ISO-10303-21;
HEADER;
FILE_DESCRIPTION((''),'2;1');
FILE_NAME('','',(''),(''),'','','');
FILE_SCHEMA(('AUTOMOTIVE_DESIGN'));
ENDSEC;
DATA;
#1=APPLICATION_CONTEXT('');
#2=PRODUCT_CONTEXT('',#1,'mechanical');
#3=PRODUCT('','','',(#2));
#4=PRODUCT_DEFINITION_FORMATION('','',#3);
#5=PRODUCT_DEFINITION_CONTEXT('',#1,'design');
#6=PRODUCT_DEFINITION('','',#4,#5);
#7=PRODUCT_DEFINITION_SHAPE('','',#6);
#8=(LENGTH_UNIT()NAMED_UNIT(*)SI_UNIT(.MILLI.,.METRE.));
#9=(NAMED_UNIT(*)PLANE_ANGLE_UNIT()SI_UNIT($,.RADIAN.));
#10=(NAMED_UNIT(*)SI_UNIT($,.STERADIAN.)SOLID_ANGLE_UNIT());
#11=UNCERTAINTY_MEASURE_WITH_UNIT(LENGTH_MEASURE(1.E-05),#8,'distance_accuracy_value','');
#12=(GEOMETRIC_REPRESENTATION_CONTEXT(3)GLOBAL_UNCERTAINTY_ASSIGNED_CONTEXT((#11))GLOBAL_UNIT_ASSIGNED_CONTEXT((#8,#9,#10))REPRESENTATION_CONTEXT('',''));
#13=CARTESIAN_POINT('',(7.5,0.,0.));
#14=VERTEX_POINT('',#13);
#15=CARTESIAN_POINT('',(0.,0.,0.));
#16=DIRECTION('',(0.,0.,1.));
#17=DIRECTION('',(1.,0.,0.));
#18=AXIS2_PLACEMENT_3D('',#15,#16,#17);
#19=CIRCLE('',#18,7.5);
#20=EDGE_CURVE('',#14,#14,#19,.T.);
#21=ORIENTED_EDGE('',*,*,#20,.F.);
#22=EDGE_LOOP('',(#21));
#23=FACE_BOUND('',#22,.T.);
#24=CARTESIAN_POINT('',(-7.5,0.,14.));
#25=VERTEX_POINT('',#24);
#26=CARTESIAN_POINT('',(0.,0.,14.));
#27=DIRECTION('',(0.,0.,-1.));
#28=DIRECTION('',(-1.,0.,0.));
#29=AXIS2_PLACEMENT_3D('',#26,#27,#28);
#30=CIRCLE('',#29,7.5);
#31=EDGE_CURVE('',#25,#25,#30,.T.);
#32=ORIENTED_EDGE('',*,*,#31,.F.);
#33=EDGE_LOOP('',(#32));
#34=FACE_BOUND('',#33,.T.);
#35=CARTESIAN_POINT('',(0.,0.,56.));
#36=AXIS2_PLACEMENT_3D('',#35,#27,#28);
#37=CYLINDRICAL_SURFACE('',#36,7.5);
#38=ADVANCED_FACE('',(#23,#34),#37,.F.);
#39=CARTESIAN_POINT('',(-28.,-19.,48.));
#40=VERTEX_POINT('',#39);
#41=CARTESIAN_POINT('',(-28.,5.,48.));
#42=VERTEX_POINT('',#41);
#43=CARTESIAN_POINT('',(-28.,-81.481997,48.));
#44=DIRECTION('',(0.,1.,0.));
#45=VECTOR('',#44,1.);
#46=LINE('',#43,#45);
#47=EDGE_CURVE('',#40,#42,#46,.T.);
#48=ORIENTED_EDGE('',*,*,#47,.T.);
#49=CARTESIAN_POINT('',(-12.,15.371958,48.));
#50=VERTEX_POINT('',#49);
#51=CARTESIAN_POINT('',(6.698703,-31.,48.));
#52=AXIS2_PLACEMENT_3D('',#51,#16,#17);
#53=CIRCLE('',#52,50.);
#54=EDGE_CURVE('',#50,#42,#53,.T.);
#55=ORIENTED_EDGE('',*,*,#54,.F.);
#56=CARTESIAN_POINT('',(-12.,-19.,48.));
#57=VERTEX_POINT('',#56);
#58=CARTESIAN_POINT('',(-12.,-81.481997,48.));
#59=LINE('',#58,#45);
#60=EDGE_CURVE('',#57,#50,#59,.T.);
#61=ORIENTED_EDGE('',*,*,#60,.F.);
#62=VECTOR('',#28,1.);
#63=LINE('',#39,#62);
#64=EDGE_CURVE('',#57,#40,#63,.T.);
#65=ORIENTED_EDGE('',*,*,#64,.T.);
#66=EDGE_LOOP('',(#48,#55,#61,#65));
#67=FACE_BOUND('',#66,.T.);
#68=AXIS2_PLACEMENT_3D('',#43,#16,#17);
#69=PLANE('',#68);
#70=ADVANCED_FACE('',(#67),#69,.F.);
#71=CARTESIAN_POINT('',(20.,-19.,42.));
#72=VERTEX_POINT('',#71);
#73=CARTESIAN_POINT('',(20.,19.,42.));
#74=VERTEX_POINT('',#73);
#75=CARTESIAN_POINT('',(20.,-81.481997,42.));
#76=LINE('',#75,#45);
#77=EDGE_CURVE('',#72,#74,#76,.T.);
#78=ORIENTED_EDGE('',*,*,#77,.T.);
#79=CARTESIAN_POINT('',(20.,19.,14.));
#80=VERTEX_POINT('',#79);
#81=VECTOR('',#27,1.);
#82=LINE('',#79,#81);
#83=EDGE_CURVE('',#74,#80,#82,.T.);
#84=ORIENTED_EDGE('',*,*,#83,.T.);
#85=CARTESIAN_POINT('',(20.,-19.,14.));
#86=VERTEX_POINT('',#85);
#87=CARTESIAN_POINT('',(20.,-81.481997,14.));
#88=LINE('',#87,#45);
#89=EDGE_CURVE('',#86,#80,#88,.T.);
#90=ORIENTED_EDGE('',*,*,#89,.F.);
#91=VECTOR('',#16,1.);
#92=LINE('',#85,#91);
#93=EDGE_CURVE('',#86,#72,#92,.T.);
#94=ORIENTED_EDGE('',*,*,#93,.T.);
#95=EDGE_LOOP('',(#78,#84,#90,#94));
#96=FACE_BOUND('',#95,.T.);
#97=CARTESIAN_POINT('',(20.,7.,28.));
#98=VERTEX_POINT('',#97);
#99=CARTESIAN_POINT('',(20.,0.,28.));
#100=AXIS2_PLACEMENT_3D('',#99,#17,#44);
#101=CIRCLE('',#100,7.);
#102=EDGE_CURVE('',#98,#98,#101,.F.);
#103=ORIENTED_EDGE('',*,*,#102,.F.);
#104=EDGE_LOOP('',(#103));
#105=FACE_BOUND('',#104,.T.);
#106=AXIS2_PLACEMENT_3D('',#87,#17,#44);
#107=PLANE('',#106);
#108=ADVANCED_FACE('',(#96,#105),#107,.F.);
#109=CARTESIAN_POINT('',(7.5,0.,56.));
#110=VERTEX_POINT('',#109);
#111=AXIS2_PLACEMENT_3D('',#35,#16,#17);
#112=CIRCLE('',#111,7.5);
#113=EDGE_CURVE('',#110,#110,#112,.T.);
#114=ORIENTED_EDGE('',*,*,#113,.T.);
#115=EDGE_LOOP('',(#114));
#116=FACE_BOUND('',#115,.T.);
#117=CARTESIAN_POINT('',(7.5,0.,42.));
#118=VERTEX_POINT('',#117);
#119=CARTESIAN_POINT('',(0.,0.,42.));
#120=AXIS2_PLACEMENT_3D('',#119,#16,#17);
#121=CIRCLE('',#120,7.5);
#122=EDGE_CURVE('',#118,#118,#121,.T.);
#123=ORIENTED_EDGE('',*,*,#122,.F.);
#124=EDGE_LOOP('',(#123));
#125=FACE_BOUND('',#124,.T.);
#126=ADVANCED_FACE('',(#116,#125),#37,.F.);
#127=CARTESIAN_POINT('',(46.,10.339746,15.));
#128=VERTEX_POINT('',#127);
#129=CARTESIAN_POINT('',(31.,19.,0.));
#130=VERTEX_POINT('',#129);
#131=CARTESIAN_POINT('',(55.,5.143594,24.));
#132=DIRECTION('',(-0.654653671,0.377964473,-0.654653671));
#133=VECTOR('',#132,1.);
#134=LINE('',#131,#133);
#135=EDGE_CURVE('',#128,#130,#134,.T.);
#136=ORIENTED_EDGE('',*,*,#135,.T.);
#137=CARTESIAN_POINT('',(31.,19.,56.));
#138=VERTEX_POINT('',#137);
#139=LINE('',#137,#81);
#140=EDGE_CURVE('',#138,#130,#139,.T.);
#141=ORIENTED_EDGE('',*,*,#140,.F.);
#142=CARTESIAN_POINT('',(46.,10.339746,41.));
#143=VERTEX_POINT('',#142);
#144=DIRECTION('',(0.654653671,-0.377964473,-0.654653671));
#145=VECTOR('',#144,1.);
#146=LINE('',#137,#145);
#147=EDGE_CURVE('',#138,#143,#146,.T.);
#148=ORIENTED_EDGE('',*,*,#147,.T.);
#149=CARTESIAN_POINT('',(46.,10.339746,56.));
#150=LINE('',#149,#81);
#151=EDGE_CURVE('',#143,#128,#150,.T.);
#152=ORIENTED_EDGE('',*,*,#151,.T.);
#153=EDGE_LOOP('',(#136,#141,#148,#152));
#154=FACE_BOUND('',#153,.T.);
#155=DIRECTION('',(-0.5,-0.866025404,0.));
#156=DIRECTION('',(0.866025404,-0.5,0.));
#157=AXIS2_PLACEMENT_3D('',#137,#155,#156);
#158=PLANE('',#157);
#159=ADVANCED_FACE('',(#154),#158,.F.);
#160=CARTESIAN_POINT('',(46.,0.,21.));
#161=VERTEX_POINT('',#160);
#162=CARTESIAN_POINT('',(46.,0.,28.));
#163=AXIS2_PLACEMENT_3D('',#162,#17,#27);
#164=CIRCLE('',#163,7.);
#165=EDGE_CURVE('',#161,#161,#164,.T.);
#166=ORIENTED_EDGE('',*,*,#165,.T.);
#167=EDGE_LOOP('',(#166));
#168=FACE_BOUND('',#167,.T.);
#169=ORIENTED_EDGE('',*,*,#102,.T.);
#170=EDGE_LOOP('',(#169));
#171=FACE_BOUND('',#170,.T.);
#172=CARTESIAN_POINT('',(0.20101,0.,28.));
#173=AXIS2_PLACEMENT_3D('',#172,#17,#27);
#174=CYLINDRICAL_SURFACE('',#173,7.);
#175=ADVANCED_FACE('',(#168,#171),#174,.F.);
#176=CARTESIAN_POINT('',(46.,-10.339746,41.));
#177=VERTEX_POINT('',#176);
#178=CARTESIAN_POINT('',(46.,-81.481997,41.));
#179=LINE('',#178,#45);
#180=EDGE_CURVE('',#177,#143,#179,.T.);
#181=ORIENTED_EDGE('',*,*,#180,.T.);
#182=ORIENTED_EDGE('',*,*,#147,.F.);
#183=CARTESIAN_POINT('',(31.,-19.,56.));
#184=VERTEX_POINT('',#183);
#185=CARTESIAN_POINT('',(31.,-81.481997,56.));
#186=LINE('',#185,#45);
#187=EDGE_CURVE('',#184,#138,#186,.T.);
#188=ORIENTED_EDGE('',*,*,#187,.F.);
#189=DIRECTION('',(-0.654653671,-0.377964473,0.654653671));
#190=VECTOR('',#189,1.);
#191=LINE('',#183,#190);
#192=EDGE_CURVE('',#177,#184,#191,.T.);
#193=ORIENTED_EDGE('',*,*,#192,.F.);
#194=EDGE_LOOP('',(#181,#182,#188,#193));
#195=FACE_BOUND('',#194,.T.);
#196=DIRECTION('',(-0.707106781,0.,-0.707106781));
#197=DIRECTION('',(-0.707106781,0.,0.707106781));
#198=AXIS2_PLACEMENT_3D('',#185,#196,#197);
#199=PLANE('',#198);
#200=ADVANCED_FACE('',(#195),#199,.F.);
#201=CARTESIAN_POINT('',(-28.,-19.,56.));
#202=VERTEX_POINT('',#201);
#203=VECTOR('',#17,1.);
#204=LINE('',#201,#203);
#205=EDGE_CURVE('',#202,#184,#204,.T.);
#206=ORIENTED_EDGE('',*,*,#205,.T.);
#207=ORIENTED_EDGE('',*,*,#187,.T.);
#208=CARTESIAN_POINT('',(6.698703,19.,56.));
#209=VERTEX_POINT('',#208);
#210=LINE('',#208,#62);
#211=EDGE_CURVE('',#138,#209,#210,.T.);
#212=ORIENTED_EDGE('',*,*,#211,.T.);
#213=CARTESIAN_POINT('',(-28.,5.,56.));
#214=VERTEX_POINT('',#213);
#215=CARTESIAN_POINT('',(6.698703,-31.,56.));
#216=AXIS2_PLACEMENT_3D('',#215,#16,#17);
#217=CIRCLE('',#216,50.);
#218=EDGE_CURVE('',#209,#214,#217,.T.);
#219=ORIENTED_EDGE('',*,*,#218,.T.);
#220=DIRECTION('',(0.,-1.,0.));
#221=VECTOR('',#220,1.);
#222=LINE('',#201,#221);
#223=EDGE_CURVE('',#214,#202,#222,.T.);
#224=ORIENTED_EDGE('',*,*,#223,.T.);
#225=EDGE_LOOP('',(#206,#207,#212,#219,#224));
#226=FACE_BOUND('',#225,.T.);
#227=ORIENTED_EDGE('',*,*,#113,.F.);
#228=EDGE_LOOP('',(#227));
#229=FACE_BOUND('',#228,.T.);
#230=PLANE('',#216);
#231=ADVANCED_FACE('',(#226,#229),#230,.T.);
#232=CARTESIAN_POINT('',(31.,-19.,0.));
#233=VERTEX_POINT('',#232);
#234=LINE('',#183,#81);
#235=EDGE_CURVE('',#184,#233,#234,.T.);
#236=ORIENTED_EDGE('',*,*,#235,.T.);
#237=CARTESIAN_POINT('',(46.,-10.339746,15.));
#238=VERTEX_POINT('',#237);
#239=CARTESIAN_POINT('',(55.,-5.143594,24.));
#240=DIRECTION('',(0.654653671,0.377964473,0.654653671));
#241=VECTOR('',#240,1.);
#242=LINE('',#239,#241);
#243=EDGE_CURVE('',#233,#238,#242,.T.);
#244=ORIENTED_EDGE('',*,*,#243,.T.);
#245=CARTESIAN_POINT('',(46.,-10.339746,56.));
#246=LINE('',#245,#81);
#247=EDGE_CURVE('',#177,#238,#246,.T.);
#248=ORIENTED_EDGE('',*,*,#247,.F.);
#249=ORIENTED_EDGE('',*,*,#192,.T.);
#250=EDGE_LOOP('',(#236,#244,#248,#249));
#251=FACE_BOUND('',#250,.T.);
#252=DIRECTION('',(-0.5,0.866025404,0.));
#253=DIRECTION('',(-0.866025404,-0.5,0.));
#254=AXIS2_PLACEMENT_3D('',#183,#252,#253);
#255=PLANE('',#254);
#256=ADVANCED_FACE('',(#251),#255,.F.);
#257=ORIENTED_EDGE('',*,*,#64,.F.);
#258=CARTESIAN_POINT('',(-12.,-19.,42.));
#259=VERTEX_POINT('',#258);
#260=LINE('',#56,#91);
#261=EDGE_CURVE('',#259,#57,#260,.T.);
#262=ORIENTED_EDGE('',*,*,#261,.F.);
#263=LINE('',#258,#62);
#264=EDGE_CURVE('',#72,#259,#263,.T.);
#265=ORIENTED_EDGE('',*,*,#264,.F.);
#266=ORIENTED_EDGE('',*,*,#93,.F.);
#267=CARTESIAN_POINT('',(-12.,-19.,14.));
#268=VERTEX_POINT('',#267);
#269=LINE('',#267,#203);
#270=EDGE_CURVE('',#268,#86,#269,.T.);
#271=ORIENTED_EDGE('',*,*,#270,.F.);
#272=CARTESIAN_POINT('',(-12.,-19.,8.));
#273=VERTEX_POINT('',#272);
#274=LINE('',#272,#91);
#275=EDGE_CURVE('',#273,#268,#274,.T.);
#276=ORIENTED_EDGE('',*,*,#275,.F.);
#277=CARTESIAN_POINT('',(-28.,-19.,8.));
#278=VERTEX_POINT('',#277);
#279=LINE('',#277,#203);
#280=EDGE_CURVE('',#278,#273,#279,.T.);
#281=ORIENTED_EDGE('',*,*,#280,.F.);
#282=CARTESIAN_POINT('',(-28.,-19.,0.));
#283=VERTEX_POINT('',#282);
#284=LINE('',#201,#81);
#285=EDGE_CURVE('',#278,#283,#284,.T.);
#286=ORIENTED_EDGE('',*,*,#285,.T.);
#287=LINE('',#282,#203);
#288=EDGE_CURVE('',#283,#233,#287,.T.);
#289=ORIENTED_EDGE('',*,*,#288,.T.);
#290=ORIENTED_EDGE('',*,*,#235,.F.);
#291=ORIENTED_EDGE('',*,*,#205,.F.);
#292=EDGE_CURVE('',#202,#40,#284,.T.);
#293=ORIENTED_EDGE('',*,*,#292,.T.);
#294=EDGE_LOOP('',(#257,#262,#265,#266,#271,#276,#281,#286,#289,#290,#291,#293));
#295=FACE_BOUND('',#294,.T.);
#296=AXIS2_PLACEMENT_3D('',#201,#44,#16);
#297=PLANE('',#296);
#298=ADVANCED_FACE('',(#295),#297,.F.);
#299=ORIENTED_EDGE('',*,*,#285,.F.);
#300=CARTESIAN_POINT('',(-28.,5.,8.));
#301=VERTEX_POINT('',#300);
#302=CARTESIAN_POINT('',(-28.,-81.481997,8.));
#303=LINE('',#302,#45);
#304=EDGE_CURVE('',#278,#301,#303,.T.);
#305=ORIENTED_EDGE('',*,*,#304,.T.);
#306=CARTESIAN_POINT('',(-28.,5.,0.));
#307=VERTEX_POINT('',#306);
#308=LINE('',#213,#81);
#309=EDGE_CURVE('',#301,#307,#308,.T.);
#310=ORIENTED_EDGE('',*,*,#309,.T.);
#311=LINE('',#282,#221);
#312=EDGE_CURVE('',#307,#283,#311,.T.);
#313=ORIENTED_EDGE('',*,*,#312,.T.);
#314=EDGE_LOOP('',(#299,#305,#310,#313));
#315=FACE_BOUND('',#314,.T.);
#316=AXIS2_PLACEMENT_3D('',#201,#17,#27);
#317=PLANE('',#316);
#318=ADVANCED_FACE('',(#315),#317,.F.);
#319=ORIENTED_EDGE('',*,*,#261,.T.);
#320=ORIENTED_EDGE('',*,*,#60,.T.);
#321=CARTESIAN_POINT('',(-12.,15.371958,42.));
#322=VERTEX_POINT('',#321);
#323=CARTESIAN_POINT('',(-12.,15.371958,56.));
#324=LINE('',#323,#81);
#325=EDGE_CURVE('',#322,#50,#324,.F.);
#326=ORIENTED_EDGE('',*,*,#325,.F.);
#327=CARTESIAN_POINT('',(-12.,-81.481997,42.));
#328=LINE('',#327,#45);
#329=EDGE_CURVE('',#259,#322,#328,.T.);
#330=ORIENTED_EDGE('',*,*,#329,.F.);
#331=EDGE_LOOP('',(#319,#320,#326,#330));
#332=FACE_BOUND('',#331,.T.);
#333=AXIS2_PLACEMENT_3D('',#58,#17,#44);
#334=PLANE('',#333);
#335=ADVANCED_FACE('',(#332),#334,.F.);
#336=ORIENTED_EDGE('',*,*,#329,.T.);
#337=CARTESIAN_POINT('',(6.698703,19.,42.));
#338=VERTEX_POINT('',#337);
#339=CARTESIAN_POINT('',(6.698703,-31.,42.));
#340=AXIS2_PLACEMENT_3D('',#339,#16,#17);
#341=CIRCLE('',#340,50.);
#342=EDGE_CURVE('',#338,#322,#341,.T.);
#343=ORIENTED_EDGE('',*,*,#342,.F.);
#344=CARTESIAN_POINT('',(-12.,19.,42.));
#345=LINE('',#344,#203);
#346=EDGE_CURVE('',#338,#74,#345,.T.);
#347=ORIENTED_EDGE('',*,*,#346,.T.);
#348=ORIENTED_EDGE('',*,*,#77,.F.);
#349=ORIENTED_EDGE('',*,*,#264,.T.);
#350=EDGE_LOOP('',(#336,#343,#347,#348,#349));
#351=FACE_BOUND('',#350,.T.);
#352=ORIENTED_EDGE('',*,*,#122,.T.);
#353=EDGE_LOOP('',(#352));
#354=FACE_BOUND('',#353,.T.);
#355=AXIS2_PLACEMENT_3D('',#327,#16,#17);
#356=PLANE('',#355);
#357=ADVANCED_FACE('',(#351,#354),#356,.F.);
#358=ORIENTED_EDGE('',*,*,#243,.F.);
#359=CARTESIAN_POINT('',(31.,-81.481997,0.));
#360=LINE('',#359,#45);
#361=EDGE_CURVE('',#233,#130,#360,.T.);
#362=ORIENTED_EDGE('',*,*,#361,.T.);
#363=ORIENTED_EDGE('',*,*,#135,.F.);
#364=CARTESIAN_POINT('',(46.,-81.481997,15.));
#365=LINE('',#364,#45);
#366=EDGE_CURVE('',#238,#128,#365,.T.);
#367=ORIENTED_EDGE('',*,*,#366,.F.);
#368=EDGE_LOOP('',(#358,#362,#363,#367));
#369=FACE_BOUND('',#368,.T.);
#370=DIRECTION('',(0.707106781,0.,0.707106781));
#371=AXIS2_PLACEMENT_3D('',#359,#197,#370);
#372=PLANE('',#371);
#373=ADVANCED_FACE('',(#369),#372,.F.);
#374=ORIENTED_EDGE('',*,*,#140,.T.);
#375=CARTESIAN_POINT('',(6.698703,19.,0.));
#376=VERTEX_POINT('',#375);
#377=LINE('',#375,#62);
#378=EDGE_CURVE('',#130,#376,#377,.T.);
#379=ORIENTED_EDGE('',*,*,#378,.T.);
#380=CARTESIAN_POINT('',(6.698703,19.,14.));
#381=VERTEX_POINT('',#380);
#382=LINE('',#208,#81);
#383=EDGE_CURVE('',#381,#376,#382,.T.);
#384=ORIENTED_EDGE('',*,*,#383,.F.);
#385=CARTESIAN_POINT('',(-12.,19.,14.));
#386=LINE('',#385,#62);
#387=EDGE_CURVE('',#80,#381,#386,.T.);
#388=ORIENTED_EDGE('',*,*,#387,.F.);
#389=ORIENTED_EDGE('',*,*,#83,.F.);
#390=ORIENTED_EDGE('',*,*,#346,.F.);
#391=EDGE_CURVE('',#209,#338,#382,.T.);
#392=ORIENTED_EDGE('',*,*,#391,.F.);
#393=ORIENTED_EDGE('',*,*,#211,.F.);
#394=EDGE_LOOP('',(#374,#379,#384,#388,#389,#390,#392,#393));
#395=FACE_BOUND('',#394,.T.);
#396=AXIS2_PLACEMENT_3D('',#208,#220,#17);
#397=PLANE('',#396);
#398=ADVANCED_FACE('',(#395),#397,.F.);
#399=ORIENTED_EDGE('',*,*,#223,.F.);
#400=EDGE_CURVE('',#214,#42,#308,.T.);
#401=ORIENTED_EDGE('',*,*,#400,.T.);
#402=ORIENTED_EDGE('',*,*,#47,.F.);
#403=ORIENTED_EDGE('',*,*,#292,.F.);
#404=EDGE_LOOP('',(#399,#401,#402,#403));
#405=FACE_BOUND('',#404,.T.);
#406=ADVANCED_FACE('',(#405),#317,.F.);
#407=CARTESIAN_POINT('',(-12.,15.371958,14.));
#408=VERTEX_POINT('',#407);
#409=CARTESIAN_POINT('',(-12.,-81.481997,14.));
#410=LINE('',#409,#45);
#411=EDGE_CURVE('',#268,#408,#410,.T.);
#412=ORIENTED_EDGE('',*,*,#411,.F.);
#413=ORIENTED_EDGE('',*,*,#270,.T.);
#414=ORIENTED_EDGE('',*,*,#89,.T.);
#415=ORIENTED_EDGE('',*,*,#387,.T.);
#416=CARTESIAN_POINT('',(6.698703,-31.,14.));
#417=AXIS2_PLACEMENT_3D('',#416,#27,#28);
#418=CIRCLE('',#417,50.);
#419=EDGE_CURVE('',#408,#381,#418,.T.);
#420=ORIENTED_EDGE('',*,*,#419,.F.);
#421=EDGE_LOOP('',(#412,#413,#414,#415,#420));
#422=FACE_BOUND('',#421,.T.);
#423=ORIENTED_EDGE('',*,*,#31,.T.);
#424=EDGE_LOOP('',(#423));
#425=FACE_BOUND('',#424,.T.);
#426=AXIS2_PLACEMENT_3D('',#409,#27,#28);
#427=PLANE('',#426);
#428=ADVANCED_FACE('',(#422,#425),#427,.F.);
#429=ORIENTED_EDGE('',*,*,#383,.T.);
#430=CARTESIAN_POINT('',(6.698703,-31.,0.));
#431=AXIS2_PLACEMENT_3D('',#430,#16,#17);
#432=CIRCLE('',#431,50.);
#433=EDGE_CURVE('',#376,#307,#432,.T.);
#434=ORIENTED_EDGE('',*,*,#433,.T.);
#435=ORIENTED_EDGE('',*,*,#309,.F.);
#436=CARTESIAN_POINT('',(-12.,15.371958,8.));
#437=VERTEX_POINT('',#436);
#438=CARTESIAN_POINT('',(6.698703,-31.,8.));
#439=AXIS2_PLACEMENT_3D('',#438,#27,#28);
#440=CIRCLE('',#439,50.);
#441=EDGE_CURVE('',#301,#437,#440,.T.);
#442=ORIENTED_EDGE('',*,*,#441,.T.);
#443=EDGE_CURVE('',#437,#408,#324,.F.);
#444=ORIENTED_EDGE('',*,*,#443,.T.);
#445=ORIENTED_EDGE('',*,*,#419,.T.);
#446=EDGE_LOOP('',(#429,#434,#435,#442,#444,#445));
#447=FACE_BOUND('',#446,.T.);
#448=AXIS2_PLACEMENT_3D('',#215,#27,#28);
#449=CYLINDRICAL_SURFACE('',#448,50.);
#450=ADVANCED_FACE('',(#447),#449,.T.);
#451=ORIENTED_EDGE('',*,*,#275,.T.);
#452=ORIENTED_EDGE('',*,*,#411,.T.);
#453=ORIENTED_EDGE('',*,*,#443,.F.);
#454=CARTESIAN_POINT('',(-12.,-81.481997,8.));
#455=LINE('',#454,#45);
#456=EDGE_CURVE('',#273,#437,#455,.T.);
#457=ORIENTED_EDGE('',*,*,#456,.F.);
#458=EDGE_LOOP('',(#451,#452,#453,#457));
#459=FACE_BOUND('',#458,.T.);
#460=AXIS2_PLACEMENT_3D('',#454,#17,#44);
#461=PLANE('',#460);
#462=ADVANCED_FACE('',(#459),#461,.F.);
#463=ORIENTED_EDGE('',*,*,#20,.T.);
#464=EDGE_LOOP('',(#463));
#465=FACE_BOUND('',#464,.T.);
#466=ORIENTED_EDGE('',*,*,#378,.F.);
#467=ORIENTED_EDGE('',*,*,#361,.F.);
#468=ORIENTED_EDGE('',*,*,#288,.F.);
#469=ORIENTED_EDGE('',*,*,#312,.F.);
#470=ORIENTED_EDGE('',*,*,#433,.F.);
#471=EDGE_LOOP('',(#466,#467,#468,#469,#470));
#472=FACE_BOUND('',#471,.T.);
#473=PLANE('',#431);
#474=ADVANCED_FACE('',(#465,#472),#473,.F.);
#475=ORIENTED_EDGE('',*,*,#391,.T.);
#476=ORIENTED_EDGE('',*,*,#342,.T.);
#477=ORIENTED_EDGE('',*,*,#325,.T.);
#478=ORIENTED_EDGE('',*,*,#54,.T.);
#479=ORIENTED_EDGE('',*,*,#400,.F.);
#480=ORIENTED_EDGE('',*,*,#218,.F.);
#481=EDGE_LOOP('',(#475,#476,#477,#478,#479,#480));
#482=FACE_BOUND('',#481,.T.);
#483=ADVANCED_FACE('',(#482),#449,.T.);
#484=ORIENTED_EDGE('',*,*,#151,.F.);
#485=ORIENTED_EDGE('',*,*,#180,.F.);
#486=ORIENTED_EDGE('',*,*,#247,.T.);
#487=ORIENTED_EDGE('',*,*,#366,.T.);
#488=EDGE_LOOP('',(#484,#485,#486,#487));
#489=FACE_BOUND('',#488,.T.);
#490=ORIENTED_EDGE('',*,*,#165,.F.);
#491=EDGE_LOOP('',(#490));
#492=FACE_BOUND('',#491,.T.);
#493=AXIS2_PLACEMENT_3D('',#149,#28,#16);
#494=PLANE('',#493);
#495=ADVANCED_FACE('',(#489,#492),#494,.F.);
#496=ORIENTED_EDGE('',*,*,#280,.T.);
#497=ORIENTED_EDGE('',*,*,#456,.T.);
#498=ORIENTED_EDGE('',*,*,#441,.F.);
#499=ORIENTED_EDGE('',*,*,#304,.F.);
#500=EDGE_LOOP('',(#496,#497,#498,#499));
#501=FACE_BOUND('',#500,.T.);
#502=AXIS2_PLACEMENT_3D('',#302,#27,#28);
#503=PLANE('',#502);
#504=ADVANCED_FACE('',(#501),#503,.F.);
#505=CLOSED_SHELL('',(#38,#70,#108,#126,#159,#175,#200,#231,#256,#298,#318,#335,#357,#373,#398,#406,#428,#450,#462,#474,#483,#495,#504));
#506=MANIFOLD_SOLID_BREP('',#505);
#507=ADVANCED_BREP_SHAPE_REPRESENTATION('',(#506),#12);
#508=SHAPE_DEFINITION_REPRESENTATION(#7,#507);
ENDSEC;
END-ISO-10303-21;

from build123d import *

# Parameters (mm, degrees)
SKETCH1_R           = 7.5
BOSS_EXTRUDE1_DEPTH = 56
CUT_EXTRUDE1_DEPTH  = 38
SKETCH3_R           = 7
CUT_EXTRUDE2_DEPTH  = 26


with BuildPart() as part:
    # Sketch1 → Boss-Extrude1 (new body)
    with BuildSketch(Plane.XY):
        with BuildLine():
            Line((-28, -19), (31, -19))
            Line((31, -19), (46, -10.339745962))
            Line((46, -10.339745962), (46, 10.339745962))
            Line((46, 10.339745962), (31, 19))
            Line((31, 19), (6.698703146, 19))
            ThreePointArc((6.698703146, 19), (-12.009583788, 15.368092477), (-28, 5))
            Line((-28, 5), (-28, -19))
        make_face()
        Circle(SKETCH1_R, mode=Mode.SUBTRACT)
    extrude(amount=BOSS_EXTRUDE1_DEPTH)

    # Sketch2 → Cut-Extrude1 (cut)
    with BuildSketch(Plane(origin=(0, 19, 0), x_dir=(1, 0, 0), z_dir=(0, 1, 0))):
        Polygon((31, 0), (46, -15), (46, 0), align=None)
        Polygon((31, -56), (46, -41), (46, -56), align=None)
        Polygon((-28, -8), (-12, -8), (-12, -14), (20, -14), (20, -42), (-12, -42), (-12, -48), (-28, -48), align=None)
    extrude(amount=-CUT_EXTRUDE1_DEPTH, mode=Mode.SUBTRACT)

    # Sketch3 → Cut-Extrude2 (cut)
    with BuildSketch(Plane(origin=(46, 0, 0), x_dir=(0, 0, -1), z_dir=(1, 0, 0))):
        with Locations((-28, 0)):
            Circle(SKETCH3_R)
    extrude(amount=-CUT_EXTRUDE2_DEPTH, mode=Mode.SUBTRACT)


solid = part.part
